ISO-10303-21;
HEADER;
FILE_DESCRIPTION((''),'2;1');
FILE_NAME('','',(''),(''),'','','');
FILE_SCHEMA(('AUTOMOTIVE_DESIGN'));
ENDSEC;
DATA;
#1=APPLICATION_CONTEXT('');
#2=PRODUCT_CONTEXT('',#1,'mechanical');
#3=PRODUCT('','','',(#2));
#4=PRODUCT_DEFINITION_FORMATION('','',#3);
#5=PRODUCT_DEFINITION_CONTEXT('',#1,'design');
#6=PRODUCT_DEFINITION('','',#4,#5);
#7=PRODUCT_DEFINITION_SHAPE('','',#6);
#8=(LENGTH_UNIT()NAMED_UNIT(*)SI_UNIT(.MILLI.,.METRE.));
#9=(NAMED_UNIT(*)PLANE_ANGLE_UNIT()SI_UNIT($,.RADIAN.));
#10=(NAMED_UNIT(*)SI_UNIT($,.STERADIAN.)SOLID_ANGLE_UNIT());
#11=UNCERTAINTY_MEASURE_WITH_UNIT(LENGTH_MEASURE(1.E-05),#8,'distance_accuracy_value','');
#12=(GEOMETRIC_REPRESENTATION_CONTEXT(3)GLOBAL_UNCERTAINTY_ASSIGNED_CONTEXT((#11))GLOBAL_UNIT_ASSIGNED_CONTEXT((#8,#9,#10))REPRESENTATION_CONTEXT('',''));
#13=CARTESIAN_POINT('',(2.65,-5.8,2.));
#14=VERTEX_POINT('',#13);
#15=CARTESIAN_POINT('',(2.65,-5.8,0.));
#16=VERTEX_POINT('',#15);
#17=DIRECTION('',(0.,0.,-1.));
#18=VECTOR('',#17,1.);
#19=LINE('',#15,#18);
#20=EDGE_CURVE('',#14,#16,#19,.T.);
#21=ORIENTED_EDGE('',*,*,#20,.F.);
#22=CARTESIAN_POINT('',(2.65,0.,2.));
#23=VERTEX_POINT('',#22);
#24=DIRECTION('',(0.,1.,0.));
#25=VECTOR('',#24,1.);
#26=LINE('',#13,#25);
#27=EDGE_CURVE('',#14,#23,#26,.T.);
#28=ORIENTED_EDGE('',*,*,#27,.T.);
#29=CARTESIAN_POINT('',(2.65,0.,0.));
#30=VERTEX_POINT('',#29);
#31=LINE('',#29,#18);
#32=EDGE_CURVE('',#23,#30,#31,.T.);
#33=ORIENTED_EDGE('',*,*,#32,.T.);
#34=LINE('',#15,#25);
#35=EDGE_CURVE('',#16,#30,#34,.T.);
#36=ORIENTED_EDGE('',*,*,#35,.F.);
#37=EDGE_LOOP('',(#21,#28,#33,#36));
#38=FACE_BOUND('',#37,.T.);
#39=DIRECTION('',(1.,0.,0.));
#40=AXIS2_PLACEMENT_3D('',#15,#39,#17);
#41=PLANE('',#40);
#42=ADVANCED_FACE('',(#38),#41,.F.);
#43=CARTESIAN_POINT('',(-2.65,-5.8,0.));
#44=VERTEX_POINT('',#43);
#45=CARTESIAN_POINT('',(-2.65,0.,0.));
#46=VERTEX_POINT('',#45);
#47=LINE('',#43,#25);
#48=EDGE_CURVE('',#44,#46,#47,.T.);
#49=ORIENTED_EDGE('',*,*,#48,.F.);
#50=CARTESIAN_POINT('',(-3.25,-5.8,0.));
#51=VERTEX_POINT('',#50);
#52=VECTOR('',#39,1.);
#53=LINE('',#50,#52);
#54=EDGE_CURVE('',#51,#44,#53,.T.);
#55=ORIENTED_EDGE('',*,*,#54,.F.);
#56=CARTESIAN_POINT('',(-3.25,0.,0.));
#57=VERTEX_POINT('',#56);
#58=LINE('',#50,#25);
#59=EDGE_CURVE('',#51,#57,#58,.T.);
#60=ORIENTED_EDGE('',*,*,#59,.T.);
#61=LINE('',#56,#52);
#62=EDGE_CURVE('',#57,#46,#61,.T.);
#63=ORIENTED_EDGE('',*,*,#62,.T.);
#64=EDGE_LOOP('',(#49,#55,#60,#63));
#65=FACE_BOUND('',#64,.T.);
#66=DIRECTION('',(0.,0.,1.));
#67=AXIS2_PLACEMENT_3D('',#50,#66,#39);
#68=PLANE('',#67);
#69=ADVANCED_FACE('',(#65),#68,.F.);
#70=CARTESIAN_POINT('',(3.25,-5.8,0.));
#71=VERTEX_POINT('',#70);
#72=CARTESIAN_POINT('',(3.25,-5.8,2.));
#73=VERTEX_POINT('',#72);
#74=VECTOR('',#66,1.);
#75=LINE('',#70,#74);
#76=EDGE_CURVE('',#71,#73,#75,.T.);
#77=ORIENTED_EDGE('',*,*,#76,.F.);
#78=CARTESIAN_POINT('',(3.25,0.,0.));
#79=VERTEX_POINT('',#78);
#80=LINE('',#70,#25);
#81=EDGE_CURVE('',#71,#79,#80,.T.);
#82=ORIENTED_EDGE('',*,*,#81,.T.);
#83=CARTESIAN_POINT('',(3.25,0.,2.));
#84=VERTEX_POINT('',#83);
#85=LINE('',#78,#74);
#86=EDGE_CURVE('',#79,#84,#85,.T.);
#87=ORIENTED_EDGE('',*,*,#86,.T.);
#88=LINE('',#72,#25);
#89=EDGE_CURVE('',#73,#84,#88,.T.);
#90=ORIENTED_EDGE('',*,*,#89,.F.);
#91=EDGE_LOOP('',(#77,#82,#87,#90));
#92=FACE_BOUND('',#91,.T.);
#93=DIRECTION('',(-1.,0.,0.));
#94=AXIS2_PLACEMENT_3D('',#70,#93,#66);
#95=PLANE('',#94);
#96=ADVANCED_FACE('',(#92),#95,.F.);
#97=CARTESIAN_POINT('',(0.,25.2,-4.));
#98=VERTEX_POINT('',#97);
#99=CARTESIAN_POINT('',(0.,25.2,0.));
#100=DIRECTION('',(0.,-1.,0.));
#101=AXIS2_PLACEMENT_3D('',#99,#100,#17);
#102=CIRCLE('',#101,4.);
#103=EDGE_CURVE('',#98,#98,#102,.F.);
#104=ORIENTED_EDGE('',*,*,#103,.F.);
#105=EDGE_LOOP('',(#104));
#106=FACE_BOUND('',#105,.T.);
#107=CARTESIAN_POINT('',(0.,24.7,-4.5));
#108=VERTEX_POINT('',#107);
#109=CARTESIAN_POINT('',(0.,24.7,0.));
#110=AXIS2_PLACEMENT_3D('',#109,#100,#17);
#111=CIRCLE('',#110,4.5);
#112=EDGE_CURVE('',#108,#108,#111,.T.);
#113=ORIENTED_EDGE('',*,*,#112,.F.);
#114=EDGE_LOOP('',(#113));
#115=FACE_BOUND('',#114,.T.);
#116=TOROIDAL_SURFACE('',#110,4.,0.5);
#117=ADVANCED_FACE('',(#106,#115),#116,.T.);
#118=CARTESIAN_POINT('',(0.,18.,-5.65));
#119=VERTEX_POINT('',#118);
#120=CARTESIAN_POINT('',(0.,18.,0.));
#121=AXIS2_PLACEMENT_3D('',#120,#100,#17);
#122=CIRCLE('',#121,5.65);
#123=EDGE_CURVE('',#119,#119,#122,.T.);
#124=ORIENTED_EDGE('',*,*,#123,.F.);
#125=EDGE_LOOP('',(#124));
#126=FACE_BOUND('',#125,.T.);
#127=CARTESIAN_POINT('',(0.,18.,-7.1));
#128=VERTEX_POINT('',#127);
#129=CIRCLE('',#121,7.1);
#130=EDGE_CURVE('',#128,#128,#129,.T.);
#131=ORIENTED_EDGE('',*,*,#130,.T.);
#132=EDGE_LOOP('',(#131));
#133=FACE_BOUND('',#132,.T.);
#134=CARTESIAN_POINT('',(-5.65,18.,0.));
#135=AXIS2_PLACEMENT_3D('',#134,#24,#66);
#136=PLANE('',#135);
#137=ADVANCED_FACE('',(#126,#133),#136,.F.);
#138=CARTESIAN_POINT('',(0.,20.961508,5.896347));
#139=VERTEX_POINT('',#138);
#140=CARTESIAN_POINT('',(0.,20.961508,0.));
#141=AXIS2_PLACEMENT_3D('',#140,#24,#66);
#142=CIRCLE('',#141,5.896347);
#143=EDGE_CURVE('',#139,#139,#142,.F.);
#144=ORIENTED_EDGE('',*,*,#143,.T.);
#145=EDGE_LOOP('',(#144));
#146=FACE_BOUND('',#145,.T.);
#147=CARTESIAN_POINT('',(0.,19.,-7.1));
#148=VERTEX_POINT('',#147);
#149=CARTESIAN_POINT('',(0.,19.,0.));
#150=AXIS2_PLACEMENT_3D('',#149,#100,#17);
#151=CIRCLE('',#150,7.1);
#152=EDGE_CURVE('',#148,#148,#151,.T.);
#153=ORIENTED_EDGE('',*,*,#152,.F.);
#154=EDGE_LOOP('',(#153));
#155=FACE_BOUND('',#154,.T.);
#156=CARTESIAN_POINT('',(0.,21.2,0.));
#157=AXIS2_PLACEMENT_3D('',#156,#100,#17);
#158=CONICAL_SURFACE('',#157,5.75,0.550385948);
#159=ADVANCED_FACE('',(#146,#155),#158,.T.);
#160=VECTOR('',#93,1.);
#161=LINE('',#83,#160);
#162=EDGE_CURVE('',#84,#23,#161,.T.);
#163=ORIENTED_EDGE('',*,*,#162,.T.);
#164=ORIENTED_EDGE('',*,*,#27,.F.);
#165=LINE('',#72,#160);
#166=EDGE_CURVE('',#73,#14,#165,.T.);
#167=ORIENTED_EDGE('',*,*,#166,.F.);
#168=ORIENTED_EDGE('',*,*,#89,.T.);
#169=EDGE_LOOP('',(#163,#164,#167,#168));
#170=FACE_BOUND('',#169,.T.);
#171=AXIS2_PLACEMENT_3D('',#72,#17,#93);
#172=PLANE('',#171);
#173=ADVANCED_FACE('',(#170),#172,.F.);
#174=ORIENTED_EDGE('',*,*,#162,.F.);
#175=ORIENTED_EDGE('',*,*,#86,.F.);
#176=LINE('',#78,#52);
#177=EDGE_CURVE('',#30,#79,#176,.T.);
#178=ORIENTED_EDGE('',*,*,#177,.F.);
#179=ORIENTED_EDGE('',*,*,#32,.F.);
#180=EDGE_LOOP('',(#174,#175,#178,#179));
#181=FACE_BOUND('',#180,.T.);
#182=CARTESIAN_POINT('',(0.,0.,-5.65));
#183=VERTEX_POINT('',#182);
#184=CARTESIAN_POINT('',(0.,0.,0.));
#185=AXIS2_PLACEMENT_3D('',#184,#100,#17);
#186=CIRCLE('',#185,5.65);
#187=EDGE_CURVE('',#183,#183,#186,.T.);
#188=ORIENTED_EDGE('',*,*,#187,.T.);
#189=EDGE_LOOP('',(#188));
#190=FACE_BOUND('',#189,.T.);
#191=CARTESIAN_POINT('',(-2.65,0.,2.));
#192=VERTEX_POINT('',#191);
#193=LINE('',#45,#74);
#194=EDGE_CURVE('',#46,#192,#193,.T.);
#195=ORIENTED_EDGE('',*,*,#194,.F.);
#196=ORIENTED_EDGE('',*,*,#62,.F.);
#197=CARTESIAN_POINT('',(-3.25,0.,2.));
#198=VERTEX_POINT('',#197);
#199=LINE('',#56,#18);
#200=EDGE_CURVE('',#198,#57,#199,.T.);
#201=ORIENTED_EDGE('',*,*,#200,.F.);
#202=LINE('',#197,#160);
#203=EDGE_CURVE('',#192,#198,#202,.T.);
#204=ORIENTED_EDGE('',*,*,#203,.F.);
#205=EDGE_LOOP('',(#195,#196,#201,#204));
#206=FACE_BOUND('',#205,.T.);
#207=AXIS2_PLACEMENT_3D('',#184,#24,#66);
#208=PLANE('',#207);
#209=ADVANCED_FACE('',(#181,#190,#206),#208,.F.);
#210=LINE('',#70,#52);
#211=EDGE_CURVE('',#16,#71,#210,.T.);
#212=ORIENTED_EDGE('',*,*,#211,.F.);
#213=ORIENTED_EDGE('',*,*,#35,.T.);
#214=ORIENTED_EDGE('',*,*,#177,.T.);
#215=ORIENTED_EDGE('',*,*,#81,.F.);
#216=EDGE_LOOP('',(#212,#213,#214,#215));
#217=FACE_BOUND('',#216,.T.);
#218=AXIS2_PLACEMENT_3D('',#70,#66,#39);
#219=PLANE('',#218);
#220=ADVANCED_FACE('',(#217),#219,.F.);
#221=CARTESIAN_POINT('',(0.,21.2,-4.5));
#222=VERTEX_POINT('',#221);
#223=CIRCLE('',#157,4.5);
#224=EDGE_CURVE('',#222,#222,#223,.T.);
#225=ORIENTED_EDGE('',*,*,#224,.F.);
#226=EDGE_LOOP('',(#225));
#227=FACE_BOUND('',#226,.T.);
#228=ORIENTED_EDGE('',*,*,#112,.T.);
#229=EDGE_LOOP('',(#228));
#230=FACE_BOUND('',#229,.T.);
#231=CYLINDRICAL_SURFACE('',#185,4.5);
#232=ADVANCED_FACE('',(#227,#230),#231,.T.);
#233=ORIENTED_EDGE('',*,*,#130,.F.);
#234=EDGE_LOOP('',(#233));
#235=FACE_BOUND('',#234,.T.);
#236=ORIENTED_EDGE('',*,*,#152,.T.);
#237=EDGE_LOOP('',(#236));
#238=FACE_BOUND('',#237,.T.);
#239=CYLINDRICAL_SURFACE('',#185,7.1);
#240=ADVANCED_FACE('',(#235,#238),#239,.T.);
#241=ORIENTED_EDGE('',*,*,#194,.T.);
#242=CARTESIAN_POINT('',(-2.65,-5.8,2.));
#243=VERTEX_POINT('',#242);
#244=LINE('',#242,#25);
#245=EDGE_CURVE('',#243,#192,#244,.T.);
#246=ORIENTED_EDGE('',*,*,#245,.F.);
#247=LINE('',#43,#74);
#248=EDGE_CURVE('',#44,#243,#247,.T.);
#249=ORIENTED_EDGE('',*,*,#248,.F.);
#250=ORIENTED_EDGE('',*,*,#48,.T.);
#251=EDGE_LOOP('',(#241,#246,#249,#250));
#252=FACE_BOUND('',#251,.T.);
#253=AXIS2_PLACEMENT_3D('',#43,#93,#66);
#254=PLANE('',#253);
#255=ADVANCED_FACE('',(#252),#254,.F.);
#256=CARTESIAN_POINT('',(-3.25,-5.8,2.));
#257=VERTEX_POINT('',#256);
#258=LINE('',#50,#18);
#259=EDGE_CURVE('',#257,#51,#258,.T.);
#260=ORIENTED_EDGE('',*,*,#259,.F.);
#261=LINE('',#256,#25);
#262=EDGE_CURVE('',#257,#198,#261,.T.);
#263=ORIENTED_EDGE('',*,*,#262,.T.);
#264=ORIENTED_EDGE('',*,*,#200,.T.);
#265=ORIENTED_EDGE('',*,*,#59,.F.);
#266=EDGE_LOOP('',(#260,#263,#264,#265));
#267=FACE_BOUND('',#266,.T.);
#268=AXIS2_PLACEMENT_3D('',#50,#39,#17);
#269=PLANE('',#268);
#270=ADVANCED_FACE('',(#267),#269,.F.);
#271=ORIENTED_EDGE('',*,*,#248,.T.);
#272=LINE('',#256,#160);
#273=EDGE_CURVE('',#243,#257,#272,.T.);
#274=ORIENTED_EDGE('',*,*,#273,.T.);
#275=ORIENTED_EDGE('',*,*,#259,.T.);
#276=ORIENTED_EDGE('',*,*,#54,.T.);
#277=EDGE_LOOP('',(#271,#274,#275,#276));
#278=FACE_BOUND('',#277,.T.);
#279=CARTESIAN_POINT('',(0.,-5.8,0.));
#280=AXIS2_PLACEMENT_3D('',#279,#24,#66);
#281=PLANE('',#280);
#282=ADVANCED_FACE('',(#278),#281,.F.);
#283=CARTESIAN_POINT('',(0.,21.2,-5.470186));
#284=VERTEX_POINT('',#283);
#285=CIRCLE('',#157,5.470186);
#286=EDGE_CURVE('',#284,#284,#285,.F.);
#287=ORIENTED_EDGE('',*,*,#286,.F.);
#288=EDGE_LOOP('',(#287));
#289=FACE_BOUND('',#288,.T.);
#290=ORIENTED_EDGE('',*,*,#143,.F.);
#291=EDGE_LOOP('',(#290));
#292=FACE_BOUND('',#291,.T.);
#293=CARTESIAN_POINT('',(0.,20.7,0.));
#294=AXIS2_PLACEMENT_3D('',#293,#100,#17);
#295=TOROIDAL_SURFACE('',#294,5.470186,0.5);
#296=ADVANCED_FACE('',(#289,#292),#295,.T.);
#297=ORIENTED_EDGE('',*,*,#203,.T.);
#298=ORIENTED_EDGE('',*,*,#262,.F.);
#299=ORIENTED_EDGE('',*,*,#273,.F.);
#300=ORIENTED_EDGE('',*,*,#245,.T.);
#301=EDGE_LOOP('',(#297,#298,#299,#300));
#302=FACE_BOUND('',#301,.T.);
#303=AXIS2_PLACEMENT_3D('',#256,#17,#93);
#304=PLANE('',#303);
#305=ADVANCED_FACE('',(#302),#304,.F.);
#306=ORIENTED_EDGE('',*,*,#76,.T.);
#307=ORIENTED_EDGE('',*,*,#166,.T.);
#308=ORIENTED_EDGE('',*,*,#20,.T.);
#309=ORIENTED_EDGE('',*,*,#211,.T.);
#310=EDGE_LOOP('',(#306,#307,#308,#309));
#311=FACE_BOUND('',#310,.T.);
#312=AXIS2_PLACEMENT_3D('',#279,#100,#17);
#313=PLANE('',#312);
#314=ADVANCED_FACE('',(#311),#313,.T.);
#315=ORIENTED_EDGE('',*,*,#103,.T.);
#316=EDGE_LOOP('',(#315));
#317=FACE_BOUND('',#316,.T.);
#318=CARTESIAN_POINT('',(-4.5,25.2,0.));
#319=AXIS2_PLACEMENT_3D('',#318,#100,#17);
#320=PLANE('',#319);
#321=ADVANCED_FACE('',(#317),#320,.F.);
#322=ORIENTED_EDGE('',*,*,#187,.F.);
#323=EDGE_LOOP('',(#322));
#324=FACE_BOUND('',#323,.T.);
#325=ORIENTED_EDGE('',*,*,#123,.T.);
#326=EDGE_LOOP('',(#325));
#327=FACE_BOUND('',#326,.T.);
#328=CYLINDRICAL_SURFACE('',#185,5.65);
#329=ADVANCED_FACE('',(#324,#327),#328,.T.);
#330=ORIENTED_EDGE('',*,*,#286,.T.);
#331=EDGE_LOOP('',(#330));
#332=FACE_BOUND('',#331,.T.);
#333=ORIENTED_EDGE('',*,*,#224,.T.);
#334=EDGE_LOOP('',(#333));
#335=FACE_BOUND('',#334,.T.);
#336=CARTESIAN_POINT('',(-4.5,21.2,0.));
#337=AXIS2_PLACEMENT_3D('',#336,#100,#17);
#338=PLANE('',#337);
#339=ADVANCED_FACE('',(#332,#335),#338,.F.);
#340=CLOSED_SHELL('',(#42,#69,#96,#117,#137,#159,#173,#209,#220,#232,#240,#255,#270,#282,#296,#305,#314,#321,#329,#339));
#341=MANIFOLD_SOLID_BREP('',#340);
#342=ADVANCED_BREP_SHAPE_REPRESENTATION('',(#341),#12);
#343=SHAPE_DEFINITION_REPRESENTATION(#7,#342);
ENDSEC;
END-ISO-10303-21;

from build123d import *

# Parameters (mm, degrees)
FILLET1_R           = 0.5
SKETCH2_W           = 0.6
SKETCH2_H           = 2
BOSS_EXTRUDE1_DEPTH = 5.8


with BuildPart() as part:
    # Sketch1 → Revolve1 (revolve)
    with BuildSketch(Plane.XY, mode=Mode.PRIVATE) as revolve1_sk:
        Polygon((0, 0), (-5.65, 0), (-5.65, 18), (-7.1, 18), (-7.1, 19), (-5.75, 21.2), (-4.5, 21.2), (-4.5, 25.2), (0, 25.2), align=None)
    revolve(revolve1_sk.sketch.rotate(Axis((0, 0, 0), (0, 1, 0)), 270), axis=Axis((0, 0, 0), (0, 1, 0)))

    # Fillet1
    fillet1_edges = [part.edges().sort_by_distance(p)[0] for p in [
        (0, 25.2, 4.5),
        (0, 21.2, 5.75),
    ]]
    fillet(fillet1_edges, radius=FILLET1_R)

    # Sketch2 → Boss-Extrude1 (add)
    with BuildSketch(Plane.XZ):
        with Locations((-2.95, 1)):
            Rectangle(SKETCH2_W, SKETCH2_H)
        with Locations((2.95, 1)):
            Rectangle(SKETCH2_W, SKETCH2_H)
    extrude(amount=BOSS_EXTRUDE1_DEPTH)


solid = part.part
